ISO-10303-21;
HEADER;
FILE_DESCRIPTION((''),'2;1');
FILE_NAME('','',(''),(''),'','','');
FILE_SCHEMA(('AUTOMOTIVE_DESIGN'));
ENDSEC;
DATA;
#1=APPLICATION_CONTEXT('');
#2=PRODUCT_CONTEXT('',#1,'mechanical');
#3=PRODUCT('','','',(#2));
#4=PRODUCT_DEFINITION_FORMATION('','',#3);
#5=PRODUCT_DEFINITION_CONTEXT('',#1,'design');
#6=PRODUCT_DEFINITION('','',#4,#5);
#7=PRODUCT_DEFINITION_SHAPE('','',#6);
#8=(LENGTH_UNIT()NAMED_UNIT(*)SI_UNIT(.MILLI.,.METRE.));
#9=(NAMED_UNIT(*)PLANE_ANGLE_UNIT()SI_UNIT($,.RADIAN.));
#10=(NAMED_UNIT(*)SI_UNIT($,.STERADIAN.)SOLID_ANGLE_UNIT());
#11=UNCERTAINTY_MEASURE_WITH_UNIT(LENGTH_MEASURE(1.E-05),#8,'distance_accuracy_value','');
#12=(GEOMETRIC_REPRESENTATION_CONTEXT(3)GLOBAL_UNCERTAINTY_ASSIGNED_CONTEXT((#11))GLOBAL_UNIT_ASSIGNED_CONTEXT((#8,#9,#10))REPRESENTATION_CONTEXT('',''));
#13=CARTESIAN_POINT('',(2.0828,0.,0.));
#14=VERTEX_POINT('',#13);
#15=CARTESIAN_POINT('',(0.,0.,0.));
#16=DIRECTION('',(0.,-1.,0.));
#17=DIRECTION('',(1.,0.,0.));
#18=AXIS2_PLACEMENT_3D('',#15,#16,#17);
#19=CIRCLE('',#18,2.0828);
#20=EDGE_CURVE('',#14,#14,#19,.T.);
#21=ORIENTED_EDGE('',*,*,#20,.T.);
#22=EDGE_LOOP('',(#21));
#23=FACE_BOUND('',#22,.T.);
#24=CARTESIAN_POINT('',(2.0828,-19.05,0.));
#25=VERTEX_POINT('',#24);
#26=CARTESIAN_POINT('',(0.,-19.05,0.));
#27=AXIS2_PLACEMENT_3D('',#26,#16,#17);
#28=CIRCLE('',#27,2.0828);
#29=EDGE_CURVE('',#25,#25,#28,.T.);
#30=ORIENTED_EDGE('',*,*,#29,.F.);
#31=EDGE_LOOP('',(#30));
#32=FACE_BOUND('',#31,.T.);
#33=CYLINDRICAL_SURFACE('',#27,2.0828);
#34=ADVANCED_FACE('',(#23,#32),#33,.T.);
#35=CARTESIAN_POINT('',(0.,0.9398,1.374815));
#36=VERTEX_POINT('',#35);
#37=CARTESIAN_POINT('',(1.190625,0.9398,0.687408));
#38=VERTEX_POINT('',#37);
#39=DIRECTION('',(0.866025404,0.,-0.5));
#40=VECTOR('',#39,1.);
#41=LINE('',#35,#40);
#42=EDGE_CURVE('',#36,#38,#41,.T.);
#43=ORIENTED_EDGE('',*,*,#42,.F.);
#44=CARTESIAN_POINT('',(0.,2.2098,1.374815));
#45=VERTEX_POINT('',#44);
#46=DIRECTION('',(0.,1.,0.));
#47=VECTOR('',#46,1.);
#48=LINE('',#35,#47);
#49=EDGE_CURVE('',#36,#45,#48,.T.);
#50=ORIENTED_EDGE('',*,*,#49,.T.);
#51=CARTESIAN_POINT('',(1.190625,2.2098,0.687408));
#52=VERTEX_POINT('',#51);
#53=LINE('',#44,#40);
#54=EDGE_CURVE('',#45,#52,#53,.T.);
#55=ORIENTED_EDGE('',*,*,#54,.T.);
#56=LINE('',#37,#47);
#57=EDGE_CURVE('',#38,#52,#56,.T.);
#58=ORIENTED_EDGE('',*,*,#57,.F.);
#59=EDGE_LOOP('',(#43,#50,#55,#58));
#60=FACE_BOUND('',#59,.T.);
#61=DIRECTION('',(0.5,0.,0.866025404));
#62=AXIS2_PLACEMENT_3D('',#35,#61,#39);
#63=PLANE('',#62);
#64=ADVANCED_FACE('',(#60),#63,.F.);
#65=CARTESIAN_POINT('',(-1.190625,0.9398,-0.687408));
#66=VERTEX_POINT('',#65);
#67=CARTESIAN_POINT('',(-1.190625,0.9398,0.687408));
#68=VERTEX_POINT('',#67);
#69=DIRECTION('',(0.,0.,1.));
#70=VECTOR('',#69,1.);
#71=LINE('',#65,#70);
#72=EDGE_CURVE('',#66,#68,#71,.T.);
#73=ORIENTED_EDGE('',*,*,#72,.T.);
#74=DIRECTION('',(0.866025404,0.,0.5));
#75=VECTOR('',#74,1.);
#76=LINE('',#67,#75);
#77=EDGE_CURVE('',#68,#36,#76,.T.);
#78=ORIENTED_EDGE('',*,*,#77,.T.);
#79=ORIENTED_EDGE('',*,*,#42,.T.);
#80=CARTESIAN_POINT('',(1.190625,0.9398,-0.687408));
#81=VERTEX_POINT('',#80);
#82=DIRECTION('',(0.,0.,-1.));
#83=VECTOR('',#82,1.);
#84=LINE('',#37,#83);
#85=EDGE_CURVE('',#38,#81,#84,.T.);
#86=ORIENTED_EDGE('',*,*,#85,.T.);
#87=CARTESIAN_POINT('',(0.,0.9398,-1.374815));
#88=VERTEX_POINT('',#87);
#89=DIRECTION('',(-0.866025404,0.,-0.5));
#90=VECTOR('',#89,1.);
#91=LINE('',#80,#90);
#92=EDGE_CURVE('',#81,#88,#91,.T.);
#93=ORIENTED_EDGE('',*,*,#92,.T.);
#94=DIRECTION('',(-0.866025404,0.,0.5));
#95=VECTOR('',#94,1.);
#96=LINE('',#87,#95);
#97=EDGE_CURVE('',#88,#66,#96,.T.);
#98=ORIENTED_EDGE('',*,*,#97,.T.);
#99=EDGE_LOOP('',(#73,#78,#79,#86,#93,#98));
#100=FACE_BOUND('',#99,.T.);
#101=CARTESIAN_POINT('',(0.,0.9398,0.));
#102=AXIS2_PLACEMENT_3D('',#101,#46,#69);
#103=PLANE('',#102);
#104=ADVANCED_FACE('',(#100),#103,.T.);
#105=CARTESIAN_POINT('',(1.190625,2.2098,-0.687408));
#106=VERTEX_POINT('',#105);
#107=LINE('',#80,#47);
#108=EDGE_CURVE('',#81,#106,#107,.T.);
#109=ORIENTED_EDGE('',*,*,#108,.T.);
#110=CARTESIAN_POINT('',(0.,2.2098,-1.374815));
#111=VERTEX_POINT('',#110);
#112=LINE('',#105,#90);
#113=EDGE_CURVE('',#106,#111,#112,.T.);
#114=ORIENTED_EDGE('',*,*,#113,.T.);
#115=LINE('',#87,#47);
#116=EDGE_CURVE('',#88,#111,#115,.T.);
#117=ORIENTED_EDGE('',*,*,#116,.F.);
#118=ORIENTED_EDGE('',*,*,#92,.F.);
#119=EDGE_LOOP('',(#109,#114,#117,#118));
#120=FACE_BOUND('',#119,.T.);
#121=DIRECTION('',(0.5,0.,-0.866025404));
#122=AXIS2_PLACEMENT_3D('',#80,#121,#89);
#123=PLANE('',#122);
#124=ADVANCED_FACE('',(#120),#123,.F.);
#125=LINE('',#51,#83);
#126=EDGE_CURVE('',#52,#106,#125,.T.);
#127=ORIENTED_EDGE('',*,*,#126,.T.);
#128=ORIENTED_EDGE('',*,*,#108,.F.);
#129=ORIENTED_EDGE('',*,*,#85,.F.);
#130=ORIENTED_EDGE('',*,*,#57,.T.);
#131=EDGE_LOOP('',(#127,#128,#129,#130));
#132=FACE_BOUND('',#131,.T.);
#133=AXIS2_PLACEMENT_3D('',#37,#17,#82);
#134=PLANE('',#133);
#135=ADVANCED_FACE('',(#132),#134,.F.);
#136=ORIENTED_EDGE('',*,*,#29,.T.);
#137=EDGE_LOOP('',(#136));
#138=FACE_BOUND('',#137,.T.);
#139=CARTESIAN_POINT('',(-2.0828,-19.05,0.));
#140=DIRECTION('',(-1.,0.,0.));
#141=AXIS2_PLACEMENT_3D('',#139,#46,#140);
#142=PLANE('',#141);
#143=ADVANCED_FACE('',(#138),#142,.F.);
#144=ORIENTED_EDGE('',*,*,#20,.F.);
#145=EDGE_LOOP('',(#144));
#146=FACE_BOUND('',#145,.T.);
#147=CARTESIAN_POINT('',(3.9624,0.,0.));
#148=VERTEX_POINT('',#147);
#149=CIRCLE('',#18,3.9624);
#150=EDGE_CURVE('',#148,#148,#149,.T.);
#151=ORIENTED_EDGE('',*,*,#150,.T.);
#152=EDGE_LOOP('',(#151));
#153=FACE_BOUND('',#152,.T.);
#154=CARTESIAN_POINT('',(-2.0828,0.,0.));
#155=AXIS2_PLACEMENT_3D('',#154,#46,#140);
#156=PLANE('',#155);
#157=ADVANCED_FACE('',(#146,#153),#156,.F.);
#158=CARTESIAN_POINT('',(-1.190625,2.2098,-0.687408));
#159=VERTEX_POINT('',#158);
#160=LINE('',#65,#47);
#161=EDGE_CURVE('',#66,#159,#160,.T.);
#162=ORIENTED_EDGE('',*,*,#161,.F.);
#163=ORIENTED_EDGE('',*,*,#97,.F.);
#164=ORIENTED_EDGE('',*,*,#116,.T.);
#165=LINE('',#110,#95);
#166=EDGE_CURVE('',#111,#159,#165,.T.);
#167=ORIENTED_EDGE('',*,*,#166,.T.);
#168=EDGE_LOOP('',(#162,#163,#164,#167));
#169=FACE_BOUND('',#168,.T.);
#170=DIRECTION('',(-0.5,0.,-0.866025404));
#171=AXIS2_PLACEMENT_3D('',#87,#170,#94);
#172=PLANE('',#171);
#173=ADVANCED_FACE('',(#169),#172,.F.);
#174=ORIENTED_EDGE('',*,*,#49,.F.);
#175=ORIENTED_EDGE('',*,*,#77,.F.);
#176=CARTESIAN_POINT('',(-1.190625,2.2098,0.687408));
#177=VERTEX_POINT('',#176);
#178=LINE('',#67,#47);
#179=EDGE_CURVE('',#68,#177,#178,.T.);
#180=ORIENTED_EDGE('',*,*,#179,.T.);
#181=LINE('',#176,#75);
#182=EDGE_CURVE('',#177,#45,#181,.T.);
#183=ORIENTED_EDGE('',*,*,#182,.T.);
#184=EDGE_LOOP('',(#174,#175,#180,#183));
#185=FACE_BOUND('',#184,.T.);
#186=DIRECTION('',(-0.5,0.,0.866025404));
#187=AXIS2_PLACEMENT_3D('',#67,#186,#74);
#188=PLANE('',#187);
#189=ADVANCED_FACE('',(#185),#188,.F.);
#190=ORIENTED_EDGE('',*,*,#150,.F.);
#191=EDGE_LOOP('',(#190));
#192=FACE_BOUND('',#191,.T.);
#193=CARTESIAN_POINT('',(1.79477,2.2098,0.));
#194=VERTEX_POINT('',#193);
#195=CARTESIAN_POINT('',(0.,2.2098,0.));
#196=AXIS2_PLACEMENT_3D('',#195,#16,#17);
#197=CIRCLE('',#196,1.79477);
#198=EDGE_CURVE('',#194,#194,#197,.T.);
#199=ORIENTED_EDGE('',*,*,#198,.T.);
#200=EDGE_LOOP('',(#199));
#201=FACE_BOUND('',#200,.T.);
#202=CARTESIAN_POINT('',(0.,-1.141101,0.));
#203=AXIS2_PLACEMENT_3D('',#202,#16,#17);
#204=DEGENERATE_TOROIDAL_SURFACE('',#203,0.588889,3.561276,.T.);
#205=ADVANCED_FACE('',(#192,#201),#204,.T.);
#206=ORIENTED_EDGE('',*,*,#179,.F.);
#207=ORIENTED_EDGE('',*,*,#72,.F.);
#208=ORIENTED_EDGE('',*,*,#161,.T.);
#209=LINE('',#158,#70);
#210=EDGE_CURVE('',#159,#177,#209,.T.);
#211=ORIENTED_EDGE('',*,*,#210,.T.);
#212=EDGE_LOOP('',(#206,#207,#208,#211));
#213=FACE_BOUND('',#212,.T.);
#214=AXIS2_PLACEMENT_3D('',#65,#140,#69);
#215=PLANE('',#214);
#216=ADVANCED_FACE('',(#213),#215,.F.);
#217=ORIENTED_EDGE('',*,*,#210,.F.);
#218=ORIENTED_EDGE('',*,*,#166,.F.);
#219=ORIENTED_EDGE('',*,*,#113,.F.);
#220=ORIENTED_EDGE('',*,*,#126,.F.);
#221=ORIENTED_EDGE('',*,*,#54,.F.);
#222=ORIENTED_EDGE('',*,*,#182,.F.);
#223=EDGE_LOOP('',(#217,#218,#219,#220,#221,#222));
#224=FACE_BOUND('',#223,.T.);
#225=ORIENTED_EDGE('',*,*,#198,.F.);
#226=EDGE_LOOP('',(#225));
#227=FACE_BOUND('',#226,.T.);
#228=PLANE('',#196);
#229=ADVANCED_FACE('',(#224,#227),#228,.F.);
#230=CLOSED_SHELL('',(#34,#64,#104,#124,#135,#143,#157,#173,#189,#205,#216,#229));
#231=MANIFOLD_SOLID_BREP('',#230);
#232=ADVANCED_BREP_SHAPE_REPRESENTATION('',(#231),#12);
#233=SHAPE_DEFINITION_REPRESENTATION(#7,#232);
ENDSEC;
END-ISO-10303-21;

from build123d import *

# Parameters (mm, degrees)
CUT_EXTRUDE1_DEPTH = 1.27


with BuildPart() as part:
    # Sketch1 → Revolve1 (revolve)
    with BuildSketch(Plane.XY):
        with BuildLine():
            Line((-2.0828, 0), (-3.9624, 0))
            ThreePointArc((-3.9624, 0), (-3.131232795, 1.352726455), (-1.79477003, 2.2098))
            Line((-1.79477003, 2.2098), (0, 2.2098))
            Line((0, 2.2098), (0, -19.05))
            Line((0, -19.05), (-2.0828, -19.05))
            Line((-2.0828, -19.05), (-2.0828, 0))
        make_face()
    revolve(axis=Axis((0, -19.05, 0), (0, 1, 0)))

    # Sketch2 → Cut-Extrude1 (cut)
    with BuildSketch(Plane(origin=(0, 2.2098, 0), x_dir=(1, 0, 0), z_dir=(0, 1, 0))):
        Polygon((-1.190625, 0.687407664), (-1.190625, -0.687407664), (0, -1.374815329), (1.190625, -0.687407664), (1.190625, 0.687407664), (0, 1.374815329), align=None)
    extrude(amount=-CUT_EXTRUDE1_DEPTH, mode=Mode.SUBTRACT)


solid = part.part
